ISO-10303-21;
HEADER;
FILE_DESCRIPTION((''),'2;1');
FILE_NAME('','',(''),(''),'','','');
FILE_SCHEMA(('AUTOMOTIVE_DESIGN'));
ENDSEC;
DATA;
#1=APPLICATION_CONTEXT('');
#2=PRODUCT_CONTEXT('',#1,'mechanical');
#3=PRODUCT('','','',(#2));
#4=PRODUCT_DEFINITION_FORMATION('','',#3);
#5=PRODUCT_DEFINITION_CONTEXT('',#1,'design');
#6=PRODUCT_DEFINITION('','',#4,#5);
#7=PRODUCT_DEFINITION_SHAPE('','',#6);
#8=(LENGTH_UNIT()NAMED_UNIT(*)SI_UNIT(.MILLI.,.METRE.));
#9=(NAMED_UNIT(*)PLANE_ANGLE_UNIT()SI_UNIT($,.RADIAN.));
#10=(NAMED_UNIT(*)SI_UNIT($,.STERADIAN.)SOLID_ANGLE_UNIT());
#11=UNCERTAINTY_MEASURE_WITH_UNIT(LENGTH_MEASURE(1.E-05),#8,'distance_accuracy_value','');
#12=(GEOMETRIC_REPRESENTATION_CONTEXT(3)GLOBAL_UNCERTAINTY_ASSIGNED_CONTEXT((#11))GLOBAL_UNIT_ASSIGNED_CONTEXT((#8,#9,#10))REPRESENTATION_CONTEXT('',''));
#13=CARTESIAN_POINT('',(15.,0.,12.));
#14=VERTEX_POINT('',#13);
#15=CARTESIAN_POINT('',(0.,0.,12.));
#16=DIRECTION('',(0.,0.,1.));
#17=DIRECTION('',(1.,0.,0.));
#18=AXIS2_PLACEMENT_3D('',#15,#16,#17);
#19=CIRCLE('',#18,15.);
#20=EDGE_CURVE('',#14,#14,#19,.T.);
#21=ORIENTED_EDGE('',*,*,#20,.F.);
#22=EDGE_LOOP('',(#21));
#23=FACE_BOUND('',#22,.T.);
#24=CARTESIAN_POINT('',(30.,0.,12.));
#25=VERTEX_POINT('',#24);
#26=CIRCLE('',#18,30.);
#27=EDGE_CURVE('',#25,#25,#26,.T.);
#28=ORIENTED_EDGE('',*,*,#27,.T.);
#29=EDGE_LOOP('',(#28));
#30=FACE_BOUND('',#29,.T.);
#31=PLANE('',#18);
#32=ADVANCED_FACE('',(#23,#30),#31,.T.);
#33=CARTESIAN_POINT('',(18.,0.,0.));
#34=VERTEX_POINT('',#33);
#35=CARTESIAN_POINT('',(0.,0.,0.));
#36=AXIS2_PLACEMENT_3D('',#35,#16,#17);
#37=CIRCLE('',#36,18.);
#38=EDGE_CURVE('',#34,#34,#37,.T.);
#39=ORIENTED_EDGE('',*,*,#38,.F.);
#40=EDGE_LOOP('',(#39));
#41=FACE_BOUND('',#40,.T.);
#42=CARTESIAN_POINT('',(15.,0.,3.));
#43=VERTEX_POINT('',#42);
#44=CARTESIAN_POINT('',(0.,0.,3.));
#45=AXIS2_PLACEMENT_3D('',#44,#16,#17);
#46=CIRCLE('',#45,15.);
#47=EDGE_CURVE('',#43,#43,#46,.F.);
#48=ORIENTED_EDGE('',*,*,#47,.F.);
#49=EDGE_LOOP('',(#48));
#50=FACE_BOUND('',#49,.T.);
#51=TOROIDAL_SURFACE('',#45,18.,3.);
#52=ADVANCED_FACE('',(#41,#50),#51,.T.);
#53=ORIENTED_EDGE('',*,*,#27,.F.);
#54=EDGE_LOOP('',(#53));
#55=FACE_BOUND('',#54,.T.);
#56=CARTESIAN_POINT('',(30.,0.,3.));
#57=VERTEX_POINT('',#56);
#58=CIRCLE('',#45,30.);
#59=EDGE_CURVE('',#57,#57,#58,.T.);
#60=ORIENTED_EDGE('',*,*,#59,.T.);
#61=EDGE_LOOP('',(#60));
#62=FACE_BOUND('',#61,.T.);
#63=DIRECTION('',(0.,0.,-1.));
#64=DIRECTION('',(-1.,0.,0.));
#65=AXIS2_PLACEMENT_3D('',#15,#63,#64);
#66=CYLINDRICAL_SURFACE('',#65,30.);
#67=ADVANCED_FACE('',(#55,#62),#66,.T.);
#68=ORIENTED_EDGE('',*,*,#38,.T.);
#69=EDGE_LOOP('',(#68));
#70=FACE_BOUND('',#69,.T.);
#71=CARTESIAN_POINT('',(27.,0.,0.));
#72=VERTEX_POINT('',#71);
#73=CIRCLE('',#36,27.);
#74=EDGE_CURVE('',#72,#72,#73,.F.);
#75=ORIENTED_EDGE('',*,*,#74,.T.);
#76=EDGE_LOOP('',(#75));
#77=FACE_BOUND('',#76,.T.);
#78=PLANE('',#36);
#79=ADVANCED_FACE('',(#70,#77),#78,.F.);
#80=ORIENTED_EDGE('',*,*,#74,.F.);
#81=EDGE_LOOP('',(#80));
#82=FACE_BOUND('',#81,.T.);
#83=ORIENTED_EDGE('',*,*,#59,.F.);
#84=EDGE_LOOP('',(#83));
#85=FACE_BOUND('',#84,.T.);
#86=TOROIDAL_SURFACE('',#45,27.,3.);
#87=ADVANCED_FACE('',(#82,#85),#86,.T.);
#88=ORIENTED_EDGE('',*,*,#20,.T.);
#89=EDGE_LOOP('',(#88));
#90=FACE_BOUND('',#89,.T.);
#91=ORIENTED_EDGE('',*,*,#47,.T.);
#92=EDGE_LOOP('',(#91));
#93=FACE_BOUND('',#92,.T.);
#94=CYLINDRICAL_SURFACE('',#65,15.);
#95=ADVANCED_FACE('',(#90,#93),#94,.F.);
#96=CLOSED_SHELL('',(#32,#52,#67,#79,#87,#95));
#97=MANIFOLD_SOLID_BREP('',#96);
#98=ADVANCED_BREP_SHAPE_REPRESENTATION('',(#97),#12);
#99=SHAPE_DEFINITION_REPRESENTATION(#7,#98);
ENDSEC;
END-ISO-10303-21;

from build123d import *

# Parameters (mm, degrees)
SKETCH1_R           = 30
SKETCH1_R_2         = 15
BOSS_EXTRUDE1_DEPTH = 12
FILLET1_R           = 3


with BuildPart() as part:
    # Sketch1 → Boss-Extrude1 (new body)
    with BuildSketch(Plane.XY):
        Circle(SKETCH1_R)
        Circle(SKETCH1_R_2, mode=Mode.SUBTRACT)
    extrude(amount=BOSS_EXTRUDE1_DEPTH)

    # Fillet1
    fillet1_edges = [part.edges().sort_by_distance(p)[0] for p in [
        (-30, 0, 0),
        (-15, 0, 0),
    ]]
    fillet(fillet1_edges, radius=FILLET1_R)


solid = part.part
